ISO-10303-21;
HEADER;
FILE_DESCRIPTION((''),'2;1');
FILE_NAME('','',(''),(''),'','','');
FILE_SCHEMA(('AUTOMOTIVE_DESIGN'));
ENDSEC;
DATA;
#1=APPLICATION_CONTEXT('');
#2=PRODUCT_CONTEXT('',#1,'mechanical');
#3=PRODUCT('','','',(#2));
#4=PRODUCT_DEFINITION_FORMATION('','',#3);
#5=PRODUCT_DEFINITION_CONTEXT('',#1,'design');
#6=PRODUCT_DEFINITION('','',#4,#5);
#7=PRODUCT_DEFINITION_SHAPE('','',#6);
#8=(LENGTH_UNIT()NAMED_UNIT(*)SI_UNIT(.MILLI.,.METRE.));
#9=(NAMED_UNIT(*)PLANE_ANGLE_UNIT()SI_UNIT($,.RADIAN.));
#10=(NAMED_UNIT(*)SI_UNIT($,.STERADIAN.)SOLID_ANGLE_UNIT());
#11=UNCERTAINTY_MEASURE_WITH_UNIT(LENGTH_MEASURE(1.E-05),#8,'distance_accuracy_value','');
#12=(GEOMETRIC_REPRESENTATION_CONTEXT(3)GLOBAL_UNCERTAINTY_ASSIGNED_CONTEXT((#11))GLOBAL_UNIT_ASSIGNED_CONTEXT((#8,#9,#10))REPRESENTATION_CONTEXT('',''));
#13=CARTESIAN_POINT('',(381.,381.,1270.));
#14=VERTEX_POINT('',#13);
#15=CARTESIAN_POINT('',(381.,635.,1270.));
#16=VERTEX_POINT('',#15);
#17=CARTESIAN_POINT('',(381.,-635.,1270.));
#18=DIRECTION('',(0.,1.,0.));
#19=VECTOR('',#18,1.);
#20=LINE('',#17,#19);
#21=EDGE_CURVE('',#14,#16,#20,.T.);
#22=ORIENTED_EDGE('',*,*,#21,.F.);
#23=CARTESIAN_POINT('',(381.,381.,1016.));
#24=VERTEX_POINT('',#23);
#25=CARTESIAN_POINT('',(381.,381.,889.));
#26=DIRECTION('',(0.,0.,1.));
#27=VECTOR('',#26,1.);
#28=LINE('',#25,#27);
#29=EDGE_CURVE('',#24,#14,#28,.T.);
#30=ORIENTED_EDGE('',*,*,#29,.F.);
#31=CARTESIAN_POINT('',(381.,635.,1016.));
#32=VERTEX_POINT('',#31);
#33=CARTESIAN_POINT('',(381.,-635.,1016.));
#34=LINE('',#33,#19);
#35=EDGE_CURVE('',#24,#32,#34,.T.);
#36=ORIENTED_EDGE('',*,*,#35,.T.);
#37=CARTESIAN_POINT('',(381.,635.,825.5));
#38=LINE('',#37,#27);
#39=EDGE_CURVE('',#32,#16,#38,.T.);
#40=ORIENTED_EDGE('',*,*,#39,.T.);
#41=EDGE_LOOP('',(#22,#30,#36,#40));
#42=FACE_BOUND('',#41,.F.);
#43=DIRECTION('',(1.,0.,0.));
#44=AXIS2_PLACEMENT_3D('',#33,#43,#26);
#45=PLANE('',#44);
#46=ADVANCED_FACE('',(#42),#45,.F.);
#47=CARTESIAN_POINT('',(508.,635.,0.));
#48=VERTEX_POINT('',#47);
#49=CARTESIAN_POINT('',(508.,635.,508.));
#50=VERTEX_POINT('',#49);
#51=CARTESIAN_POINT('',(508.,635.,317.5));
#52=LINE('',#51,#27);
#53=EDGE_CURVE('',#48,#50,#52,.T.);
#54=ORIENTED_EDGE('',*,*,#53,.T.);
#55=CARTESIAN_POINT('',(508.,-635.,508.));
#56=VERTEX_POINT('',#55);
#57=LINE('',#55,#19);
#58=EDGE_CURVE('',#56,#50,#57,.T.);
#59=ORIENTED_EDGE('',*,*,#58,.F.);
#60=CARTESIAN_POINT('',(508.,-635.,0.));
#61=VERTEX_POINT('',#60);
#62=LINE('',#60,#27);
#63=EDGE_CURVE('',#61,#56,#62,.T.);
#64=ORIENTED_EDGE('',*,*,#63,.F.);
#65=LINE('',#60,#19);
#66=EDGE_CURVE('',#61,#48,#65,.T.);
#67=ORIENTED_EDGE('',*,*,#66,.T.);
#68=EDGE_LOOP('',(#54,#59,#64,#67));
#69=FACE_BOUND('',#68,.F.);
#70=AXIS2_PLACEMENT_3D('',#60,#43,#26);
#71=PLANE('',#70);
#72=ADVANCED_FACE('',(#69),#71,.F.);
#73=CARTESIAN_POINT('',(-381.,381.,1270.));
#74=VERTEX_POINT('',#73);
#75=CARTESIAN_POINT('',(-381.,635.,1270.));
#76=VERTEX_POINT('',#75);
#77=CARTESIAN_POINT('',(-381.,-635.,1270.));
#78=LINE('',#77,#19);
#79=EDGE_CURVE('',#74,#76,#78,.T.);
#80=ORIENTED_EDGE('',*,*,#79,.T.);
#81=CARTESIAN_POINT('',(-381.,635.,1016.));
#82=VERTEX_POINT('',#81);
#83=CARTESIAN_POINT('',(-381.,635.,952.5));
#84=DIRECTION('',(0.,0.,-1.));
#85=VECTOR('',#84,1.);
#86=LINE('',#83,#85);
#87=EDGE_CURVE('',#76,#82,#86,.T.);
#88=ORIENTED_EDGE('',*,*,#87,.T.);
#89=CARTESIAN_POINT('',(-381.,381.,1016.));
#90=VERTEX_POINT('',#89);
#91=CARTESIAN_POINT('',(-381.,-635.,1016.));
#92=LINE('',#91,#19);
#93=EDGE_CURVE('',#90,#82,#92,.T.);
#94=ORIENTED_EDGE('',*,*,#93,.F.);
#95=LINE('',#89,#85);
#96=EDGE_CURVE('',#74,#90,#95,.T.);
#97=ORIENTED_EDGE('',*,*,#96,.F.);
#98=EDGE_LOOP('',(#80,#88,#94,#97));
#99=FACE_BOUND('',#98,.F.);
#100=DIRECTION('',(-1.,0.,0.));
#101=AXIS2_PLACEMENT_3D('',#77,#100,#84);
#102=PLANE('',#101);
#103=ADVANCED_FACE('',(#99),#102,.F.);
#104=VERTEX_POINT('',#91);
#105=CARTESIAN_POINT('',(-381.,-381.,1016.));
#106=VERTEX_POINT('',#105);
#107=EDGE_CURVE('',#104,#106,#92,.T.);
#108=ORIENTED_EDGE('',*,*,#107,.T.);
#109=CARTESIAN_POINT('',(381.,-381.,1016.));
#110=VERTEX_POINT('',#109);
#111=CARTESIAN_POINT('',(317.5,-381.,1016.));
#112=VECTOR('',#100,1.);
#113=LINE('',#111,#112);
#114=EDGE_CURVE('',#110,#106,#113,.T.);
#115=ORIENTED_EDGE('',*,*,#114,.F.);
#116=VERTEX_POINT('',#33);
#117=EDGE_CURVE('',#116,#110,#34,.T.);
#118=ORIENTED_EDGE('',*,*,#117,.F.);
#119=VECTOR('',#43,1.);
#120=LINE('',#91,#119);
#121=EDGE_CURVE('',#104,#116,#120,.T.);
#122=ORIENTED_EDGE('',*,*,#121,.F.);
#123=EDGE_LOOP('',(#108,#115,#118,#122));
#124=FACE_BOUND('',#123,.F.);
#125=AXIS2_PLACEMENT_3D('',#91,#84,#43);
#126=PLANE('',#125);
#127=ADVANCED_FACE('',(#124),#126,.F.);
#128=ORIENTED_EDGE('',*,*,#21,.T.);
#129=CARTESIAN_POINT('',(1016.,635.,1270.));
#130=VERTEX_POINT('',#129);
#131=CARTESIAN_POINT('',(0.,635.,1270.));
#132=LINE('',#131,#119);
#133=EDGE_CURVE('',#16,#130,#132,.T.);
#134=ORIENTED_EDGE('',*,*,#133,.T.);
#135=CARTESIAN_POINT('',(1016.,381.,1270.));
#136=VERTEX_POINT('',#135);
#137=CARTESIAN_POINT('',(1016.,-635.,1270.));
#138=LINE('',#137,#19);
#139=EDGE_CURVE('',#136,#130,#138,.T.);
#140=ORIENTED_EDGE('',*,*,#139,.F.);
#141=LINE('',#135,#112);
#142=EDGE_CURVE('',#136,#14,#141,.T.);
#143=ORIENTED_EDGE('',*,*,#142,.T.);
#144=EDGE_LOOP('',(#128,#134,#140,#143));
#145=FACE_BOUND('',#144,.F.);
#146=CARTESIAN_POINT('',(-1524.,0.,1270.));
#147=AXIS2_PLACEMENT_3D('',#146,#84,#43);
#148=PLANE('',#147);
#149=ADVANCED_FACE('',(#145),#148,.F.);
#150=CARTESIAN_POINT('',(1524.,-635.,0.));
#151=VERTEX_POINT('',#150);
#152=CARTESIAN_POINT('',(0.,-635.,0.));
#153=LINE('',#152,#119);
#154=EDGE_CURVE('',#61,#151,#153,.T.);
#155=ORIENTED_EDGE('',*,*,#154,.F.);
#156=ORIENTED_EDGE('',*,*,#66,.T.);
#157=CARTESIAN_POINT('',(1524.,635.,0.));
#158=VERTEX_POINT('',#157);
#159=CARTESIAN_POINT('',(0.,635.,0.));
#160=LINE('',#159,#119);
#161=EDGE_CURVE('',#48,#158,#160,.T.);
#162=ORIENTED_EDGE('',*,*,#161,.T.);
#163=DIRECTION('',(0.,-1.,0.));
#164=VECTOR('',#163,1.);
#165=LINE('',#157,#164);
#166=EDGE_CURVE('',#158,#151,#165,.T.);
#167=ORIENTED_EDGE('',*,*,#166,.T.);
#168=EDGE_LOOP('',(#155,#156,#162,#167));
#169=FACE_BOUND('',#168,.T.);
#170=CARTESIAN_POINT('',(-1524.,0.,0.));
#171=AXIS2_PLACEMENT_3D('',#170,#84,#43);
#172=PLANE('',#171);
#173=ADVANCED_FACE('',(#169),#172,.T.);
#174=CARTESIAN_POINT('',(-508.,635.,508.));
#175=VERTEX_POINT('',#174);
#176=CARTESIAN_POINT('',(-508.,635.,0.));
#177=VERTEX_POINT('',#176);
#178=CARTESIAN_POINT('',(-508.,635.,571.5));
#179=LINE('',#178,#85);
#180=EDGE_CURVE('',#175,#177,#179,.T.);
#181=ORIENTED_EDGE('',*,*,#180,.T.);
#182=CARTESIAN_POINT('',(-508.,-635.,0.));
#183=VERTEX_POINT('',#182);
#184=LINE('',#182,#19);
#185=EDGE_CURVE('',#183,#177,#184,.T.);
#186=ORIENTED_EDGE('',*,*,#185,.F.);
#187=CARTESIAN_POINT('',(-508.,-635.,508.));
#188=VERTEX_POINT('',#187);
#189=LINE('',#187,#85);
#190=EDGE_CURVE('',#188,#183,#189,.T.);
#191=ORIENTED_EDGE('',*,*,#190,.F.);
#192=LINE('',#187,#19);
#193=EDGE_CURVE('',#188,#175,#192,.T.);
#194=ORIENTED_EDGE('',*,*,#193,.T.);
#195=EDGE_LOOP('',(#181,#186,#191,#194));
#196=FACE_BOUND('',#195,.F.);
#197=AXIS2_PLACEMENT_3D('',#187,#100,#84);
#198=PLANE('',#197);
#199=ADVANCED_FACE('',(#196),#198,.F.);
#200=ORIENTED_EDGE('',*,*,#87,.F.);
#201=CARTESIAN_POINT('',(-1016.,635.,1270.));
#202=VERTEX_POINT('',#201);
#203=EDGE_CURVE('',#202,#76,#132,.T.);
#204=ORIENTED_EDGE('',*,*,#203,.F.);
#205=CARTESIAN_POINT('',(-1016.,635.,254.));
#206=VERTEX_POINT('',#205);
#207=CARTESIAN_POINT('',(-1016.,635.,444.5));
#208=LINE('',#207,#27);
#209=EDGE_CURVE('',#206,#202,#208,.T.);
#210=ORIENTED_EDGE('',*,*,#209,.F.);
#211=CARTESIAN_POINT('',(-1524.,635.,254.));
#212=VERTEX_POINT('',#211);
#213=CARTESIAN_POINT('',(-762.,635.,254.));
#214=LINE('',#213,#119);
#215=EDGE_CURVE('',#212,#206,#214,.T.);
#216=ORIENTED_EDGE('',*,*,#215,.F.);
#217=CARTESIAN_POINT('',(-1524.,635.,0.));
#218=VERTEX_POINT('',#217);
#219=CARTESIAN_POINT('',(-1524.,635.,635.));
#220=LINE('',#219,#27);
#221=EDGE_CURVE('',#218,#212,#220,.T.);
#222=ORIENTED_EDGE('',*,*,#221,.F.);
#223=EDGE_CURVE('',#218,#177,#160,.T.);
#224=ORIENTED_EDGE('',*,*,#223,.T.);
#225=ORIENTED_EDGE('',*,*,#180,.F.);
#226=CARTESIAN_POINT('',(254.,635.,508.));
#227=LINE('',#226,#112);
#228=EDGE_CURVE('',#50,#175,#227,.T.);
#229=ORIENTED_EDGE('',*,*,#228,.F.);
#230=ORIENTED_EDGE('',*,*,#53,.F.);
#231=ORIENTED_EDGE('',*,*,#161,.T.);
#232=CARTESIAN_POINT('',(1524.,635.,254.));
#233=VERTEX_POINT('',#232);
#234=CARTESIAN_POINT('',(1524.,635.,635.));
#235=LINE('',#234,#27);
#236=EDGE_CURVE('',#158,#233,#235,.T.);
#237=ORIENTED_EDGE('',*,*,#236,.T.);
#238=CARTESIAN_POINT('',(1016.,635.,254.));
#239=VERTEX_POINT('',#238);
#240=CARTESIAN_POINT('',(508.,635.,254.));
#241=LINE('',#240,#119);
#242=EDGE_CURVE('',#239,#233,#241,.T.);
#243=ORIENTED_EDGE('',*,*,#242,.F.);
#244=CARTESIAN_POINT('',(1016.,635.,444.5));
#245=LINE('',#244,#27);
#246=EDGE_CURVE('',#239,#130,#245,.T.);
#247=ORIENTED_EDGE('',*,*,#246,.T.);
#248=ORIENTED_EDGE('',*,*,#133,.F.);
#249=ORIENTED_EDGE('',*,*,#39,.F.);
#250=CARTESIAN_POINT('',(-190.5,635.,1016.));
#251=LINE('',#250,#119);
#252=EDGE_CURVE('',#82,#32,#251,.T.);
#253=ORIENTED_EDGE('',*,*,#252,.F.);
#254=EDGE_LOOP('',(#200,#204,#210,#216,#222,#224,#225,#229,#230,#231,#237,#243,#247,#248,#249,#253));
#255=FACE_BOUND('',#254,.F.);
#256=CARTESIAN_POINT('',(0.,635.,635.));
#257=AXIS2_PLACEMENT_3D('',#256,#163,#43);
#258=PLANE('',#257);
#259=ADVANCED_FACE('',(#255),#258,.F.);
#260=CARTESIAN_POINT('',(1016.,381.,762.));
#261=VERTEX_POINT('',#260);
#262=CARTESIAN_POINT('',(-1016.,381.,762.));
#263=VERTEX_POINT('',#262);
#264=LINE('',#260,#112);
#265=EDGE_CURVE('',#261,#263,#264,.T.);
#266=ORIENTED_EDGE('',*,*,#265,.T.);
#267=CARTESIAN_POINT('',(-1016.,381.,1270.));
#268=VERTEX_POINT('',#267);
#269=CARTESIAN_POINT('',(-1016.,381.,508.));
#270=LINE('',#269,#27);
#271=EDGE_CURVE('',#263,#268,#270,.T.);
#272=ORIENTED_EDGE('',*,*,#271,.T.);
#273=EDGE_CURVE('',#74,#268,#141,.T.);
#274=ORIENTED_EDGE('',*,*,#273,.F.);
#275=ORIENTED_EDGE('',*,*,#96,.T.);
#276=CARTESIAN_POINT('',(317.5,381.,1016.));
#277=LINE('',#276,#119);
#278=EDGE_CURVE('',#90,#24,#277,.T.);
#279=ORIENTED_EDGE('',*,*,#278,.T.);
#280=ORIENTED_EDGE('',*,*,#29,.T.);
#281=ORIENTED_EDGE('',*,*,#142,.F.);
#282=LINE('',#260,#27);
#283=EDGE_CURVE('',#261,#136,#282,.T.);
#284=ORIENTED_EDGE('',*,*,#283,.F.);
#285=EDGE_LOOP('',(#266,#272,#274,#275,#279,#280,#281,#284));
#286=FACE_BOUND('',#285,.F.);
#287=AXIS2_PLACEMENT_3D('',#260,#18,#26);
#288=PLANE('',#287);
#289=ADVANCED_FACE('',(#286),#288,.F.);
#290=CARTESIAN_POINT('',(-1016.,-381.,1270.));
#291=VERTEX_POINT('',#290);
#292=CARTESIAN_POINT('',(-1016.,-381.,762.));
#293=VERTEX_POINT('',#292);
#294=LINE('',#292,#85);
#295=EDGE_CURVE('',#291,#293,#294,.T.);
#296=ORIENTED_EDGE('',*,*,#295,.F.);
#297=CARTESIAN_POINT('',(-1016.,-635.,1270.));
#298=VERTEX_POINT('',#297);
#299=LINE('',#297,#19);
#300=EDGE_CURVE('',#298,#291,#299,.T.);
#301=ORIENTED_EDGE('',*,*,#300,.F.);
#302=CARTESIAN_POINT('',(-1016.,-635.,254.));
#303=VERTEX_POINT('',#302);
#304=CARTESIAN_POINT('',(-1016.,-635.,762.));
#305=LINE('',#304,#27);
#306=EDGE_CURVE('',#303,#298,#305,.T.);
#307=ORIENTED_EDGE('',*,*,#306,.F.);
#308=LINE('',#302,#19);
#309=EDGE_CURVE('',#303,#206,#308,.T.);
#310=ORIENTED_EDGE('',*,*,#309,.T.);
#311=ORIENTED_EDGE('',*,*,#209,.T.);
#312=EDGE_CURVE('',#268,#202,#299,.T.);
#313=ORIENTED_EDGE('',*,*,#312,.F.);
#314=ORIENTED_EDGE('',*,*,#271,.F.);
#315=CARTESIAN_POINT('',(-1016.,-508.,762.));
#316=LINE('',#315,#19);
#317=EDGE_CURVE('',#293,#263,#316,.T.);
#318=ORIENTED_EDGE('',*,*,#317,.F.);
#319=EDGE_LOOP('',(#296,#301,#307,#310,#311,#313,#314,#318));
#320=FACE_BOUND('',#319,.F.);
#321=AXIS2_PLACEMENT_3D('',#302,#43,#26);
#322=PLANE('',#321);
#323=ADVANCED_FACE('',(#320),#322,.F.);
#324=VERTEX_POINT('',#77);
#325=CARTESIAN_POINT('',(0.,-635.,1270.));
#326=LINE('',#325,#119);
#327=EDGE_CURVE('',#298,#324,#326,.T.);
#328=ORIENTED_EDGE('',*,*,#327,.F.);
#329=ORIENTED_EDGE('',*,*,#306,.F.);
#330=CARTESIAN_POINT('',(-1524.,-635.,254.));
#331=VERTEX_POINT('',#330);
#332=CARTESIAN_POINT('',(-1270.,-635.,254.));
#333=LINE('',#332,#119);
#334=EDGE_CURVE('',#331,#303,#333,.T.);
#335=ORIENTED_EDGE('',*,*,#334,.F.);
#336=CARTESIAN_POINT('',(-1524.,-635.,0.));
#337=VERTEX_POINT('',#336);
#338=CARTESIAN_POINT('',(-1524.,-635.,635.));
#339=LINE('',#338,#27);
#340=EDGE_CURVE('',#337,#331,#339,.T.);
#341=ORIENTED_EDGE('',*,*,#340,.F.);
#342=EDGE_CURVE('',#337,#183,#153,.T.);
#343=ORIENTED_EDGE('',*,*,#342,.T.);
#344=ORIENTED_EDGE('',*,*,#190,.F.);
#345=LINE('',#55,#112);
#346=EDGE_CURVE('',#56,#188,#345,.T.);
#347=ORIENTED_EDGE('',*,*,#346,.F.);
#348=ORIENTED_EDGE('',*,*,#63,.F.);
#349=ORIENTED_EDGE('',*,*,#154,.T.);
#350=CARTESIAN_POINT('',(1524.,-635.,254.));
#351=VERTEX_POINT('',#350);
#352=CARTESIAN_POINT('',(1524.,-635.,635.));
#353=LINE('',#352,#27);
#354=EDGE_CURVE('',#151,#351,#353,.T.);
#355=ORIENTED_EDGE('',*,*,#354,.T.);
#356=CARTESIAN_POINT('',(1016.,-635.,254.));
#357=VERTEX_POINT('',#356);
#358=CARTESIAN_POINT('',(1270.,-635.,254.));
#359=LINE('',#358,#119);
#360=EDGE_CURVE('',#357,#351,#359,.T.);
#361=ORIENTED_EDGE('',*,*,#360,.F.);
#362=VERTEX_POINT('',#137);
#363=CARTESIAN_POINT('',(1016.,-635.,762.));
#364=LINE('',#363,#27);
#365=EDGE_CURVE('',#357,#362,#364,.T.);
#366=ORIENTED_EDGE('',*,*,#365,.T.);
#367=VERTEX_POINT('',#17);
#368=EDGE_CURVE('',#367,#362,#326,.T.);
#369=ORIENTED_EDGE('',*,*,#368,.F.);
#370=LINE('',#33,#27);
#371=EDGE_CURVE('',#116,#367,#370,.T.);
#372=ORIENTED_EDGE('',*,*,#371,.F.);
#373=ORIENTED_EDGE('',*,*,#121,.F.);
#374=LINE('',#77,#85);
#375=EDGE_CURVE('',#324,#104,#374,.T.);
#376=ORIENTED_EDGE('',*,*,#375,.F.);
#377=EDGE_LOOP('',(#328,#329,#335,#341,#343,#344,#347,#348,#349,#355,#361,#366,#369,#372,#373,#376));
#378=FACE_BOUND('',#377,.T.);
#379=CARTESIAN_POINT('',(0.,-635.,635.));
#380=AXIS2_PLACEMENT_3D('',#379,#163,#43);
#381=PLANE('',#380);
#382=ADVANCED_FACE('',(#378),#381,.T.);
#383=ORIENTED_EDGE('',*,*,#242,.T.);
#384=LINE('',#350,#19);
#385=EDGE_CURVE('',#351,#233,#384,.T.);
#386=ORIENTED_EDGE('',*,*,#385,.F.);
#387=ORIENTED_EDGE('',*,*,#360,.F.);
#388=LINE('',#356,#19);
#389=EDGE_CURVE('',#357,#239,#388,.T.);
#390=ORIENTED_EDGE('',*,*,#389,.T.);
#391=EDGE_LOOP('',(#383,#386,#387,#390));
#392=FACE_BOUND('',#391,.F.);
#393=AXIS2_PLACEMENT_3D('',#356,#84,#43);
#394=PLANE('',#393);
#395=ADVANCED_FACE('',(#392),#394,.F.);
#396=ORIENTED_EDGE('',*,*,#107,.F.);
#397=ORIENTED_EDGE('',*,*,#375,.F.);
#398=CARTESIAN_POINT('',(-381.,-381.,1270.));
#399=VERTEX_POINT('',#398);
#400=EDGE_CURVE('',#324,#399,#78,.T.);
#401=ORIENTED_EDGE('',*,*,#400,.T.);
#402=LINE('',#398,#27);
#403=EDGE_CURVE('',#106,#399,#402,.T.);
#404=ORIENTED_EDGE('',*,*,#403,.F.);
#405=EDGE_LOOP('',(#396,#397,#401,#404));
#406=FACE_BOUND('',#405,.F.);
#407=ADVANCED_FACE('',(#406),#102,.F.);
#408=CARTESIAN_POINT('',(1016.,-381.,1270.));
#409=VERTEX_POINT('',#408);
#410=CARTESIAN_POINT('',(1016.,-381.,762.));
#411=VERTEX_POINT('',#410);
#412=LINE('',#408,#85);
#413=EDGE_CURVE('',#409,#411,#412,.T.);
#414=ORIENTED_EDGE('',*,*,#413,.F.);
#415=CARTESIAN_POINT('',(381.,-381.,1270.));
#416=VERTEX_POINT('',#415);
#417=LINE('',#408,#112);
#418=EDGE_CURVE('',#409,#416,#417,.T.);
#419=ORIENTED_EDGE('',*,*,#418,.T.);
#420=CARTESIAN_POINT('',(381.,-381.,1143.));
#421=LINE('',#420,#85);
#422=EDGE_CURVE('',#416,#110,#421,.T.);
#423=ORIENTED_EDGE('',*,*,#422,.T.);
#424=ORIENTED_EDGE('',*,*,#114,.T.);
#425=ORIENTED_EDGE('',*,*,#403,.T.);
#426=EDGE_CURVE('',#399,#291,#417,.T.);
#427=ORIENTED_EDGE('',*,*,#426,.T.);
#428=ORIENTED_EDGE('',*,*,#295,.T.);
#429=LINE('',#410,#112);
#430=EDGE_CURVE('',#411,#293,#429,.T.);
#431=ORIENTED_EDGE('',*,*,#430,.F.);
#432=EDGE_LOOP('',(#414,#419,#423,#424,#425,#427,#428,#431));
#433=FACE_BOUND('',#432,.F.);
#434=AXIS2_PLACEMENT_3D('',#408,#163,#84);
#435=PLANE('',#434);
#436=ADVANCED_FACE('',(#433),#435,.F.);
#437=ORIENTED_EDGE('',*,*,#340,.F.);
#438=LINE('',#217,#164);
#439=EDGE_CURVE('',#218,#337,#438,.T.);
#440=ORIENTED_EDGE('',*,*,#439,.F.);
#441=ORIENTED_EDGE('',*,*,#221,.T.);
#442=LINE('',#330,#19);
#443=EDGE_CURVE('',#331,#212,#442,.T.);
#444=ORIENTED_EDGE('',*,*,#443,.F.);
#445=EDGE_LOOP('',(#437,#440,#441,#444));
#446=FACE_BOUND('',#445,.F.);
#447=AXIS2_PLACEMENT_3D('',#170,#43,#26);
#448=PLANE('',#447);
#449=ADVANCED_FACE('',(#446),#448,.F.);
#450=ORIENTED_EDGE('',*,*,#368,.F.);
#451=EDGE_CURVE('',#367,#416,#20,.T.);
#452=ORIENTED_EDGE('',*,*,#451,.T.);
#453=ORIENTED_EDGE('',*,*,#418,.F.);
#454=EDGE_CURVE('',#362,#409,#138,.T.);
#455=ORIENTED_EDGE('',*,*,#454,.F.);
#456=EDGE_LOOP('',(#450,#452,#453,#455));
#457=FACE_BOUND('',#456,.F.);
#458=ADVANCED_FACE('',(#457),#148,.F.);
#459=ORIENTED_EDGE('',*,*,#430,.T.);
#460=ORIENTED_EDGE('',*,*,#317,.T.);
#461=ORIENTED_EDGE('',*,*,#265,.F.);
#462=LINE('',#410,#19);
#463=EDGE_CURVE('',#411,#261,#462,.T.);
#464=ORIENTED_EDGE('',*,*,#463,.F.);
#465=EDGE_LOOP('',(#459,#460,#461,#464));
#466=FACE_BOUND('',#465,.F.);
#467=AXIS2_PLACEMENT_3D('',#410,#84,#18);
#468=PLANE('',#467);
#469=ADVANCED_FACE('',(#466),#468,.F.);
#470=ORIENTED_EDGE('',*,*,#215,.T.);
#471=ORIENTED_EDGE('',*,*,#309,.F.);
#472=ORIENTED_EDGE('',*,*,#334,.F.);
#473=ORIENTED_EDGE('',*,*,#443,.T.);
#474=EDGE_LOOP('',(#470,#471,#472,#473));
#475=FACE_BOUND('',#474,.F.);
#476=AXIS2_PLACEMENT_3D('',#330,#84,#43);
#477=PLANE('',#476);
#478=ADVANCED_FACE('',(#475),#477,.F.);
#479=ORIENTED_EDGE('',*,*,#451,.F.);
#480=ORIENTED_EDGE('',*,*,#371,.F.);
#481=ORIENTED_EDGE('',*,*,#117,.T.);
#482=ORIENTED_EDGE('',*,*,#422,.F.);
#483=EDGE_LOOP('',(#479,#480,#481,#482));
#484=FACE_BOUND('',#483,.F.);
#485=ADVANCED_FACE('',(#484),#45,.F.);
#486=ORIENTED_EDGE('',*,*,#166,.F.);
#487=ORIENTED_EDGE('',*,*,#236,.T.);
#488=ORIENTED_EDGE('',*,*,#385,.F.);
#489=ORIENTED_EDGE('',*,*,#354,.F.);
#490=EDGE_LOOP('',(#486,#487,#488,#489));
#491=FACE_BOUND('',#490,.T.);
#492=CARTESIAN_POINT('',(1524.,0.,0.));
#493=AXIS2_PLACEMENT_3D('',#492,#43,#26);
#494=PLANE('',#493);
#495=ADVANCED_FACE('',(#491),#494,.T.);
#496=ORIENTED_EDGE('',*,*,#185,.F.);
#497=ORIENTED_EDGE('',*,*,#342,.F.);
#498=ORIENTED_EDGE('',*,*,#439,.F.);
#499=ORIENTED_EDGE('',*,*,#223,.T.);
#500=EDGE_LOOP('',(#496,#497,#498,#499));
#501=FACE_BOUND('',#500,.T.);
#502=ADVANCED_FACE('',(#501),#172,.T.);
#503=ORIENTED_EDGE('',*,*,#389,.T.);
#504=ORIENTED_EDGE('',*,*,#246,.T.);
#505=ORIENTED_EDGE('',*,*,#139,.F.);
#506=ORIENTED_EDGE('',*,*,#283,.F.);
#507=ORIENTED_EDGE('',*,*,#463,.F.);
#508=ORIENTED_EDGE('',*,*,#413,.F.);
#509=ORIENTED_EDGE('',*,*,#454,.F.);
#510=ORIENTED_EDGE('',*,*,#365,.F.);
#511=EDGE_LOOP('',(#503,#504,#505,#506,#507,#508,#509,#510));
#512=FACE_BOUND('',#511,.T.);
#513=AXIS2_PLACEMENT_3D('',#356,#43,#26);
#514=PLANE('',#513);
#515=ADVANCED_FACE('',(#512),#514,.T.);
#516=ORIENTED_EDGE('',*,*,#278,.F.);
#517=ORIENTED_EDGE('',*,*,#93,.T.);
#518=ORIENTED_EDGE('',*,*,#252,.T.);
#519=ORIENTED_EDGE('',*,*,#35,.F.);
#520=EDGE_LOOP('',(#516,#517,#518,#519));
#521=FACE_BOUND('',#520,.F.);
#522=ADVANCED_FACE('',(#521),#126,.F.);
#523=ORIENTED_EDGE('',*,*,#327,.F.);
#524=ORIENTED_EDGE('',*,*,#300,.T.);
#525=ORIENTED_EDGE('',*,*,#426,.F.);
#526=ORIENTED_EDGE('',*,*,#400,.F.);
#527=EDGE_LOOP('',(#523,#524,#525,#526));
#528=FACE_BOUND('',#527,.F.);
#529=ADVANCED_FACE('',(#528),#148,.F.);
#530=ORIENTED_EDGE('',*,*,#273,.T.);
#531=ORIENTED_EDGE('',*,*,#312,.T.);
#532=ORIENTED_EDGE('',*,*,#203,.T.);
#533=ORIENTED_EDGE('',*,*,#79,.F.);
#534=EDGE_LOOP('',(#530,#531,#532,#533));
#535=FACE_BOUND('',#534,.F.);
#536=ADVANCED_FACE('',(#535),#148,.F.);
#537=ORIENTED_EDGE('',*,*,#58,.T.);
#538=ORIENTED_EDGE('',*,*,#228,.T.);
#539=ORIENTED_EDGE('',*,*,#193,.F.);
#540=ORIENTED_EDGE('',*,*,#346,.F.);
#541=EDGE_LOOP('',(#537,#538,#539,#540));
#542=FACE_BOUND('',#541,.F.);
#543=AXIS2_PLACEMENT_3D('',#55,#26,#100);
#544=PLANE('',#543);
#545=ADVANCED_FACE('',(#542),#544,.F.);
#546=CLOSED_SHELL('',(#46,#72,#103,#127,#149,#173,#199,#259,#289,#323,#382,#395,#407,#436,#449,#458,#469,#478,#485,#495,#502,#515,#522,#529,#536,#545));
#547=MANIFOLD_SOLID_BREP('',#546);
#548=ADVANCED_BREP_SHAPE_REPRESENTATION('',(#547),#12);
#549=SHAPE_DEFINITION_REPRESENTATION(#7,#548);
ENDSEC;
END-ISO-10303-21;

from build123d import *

# Parameters (mm, degrees)
F0_W     = 3048
F0_H     = 1270
F1_DEPTH = 635
F2_W     = 508
F2_H     = 1016
F3_DEPTH = 1270.001
F5_DEPTH = 2540.001


with BuildPart() as f1:
    # F0 (on Front) → F1 (new body, symmetric)
    with BuildSketch(Plane.XZ):
        with Locations((0, 635)):
            Rectangle(F0_W, F0_H)
    extrude(amount=F1_DEPTH, both=True)

    # F2 (on face) → F3 (cut, through all)
    with BuildSketch(Plane.XZ.offset(635)):
        with Locations((1270, 762)):
            Rectangle(F2_W, F2_H)
        Polygon((-508, 0), (0, 0), (508, 0), (508, 508), (0, 508), (-508, 508), align=None)
        Polygon((381, 1270), (0, 1270), (-381, 1270), (-381, 1016), (0, 1016), (381, 1016), align=None)
        with Locations((-1270, 762)):
            Rectangle(F2_W, F2_H)
    extrude(amount=-F3_DEPTH, mode=Mode.SUBTRACT)

    # F4 (on face) → F5 (cut, through all)
    with BuildSketch(Plane.YZ.offset(1016)):
        Polygon((381, 1270), (0, 1270), (-381, 1270), (-381, 762), (0, 762), (381, 762), align=None)
    extrude(amount=-F5_DEPTH, mode=Mode.SUBTRACT)


solid = f1.part
